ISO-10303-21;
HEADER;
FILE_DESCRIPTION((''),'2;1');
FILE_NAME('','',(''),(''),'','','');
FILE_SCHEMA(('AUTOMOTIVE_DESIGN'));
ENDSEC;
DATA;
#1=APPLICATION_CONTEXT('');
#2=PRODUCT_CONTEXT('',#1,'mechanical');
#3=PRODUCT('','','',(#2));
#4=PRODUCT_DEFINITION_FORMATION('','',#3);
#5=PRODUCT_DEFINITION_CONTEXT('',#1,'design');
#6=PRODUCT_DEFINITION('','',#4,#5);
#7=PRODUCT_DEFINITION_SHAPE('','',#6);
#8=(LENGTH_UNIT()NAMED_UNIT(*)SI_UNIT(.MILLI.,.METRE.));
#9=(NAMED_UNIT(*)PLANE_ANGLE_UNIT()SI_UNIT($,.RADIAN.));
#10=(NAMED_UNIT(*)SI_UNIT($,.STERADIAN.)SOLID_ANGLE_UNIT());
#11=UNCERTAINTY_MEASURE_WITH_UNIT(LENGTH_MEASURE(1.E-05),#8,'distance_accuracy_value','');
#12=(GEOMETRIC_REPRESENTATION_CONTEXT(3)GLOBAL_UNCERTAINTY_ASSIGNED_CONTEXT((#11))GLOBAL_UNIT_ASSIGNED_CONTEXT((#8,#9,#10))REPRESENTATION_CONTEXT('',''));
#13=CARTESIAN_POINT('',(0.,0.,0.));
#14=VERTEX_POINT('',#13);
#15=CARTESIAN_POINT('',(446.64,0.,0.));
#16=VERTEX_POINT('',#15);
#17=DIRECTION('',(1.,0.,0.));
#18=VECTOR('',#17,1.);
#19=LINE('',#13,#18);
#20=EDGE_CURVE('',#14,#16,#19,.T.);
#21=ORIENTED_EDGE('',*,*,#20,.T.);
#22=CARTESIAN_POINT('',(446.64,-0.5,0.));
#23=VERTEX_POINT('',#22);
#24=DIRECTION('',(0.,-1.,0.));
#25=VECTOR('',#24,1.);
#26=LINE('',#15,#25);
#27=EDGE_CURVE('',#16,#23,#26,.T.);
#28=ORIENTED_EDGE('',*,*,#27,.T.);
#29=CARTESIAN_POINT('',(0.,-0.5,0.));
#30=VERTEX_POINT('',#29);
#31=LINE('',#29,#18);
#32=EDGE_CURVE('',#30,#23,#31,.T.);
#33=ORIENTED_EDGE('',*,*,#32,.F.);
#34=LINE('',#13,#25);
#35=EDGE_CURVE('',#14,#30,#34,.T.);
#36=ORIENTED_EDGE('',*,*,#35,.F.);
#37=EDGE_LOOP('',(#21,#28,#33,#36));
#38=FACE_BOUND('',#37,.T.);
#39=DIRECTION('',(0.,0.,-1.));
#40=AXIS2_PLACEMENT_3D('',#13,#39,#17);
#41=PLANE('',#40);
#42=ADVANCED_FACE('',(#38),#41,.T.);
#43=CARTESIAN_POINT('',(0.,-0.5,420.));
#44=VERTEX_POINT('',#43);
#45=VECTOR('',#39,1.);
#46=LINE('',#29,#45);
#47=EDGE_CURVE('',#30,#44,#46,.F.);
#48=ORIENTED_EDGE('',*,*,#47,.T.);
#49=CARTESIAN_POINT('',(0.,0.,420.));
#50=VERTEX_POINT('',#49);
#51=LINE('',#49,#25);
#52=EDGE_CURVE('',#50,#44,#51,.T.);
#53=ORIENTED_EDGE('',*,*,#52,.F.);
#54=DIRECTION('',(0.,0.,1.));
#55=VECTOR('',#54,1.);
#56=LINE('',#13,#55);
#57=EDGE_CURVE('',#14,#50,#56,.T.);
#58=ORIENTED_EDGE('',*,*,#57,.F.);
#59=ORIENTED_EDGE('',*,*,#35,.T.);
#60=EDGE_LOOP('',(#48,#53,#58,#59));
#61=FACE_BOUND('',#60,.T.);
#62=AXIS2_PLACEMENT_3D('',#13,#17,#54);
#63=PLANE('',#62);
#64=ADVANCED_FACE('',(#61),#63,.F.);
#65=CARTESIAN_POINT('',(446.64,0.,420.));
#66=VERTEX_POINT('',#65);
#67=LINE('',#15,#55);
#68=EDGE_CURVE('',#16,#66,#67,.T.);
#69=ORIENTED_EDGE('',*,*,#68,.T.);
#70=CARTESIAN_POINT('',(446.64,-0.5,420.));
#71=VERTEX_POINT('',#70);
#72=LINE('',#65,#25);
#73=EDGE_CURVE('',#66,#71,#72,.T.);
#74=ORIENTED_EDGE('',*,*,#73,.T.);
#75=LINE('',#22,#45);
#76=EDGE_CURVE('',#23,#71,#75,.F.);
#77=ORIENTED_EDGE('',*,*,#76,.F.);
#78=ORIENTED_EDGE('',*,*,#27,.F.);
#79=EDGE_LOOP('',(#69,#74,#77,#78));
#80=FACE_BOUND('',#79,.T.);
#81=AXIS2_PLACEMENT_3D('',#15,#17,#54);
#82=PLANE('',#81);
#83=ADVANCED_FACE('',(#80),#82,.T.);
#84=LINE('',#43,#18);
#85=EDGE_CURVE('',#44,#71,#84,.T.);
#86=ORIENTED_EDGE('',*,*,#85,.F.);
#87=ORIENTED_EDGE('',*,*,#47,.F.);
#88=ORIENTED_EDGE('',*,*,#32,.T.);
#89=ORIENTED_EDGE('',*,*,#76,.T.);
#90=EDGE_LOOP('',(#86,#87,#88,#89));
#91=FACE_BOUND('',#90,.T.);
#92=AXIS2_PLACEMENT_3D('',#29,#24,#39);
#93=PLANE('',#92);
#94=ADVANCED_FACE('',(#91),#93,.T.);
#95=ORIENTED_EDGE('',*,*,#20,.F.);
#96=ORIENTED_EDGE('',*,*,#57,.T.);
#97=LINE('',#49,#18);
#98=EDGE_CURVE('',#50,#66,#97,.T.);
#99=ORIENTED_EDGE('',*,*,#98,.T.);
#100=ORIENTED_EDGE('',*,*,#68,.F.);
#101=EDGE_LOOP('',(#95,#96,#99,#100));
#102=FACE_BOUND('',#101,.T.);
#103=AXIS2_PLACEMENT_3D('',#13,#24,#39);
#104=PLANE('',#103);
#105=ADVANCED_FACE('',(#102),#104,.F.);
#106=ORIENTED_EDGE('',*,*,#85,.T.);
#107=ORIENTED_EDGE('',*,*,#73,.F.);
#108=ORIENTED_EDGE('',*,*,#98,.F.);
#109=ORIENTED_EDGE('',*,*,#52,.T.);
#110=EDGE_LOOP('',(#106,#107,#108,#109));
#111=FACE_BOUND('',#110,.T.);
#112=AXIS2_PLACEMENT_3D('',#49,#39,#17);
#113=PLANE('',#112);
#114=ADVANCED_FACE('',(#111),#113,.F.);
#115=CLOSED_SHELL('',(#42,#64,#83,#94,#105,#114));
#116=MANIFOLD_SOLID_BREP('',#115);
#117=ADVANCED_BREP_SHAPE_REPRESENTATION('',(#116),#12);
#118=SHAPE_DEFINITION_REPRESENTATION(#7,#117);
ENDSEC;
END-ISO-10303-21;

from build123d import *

# Parameters (mm, degrees)
SUPERFICIE_EXTRUIR1_1_DEPTH = 420
DAR_ESPESOR1_T2             = 0.5


with BuildPart() as body_1:
    # Superficie-Extruir1: a surface, the sketch's curves swept straight by 420 mm
    with BuildLine(Plane.XY, mode=Mode.PRIVATE) as superficie_extruir1_1_path:
        Line((0, 0), (446.64, 0))
    superficie_extruir1_1 = Shell.extrude(superficie_extruir1_1_path.wire(), (0 * SUPERFICIE_EXTRUIR1_1_DEPTH, 0 * SUPERFICIE_EXTRUIR1_1_DEPTH, 1 * SUPERFICIE_EXTRUIR1_1_DEPTH))
    add(Solid.thicken(superficie_extruir1_1, -DAR_ESPESOR1_T2))


solid = body_1.part
